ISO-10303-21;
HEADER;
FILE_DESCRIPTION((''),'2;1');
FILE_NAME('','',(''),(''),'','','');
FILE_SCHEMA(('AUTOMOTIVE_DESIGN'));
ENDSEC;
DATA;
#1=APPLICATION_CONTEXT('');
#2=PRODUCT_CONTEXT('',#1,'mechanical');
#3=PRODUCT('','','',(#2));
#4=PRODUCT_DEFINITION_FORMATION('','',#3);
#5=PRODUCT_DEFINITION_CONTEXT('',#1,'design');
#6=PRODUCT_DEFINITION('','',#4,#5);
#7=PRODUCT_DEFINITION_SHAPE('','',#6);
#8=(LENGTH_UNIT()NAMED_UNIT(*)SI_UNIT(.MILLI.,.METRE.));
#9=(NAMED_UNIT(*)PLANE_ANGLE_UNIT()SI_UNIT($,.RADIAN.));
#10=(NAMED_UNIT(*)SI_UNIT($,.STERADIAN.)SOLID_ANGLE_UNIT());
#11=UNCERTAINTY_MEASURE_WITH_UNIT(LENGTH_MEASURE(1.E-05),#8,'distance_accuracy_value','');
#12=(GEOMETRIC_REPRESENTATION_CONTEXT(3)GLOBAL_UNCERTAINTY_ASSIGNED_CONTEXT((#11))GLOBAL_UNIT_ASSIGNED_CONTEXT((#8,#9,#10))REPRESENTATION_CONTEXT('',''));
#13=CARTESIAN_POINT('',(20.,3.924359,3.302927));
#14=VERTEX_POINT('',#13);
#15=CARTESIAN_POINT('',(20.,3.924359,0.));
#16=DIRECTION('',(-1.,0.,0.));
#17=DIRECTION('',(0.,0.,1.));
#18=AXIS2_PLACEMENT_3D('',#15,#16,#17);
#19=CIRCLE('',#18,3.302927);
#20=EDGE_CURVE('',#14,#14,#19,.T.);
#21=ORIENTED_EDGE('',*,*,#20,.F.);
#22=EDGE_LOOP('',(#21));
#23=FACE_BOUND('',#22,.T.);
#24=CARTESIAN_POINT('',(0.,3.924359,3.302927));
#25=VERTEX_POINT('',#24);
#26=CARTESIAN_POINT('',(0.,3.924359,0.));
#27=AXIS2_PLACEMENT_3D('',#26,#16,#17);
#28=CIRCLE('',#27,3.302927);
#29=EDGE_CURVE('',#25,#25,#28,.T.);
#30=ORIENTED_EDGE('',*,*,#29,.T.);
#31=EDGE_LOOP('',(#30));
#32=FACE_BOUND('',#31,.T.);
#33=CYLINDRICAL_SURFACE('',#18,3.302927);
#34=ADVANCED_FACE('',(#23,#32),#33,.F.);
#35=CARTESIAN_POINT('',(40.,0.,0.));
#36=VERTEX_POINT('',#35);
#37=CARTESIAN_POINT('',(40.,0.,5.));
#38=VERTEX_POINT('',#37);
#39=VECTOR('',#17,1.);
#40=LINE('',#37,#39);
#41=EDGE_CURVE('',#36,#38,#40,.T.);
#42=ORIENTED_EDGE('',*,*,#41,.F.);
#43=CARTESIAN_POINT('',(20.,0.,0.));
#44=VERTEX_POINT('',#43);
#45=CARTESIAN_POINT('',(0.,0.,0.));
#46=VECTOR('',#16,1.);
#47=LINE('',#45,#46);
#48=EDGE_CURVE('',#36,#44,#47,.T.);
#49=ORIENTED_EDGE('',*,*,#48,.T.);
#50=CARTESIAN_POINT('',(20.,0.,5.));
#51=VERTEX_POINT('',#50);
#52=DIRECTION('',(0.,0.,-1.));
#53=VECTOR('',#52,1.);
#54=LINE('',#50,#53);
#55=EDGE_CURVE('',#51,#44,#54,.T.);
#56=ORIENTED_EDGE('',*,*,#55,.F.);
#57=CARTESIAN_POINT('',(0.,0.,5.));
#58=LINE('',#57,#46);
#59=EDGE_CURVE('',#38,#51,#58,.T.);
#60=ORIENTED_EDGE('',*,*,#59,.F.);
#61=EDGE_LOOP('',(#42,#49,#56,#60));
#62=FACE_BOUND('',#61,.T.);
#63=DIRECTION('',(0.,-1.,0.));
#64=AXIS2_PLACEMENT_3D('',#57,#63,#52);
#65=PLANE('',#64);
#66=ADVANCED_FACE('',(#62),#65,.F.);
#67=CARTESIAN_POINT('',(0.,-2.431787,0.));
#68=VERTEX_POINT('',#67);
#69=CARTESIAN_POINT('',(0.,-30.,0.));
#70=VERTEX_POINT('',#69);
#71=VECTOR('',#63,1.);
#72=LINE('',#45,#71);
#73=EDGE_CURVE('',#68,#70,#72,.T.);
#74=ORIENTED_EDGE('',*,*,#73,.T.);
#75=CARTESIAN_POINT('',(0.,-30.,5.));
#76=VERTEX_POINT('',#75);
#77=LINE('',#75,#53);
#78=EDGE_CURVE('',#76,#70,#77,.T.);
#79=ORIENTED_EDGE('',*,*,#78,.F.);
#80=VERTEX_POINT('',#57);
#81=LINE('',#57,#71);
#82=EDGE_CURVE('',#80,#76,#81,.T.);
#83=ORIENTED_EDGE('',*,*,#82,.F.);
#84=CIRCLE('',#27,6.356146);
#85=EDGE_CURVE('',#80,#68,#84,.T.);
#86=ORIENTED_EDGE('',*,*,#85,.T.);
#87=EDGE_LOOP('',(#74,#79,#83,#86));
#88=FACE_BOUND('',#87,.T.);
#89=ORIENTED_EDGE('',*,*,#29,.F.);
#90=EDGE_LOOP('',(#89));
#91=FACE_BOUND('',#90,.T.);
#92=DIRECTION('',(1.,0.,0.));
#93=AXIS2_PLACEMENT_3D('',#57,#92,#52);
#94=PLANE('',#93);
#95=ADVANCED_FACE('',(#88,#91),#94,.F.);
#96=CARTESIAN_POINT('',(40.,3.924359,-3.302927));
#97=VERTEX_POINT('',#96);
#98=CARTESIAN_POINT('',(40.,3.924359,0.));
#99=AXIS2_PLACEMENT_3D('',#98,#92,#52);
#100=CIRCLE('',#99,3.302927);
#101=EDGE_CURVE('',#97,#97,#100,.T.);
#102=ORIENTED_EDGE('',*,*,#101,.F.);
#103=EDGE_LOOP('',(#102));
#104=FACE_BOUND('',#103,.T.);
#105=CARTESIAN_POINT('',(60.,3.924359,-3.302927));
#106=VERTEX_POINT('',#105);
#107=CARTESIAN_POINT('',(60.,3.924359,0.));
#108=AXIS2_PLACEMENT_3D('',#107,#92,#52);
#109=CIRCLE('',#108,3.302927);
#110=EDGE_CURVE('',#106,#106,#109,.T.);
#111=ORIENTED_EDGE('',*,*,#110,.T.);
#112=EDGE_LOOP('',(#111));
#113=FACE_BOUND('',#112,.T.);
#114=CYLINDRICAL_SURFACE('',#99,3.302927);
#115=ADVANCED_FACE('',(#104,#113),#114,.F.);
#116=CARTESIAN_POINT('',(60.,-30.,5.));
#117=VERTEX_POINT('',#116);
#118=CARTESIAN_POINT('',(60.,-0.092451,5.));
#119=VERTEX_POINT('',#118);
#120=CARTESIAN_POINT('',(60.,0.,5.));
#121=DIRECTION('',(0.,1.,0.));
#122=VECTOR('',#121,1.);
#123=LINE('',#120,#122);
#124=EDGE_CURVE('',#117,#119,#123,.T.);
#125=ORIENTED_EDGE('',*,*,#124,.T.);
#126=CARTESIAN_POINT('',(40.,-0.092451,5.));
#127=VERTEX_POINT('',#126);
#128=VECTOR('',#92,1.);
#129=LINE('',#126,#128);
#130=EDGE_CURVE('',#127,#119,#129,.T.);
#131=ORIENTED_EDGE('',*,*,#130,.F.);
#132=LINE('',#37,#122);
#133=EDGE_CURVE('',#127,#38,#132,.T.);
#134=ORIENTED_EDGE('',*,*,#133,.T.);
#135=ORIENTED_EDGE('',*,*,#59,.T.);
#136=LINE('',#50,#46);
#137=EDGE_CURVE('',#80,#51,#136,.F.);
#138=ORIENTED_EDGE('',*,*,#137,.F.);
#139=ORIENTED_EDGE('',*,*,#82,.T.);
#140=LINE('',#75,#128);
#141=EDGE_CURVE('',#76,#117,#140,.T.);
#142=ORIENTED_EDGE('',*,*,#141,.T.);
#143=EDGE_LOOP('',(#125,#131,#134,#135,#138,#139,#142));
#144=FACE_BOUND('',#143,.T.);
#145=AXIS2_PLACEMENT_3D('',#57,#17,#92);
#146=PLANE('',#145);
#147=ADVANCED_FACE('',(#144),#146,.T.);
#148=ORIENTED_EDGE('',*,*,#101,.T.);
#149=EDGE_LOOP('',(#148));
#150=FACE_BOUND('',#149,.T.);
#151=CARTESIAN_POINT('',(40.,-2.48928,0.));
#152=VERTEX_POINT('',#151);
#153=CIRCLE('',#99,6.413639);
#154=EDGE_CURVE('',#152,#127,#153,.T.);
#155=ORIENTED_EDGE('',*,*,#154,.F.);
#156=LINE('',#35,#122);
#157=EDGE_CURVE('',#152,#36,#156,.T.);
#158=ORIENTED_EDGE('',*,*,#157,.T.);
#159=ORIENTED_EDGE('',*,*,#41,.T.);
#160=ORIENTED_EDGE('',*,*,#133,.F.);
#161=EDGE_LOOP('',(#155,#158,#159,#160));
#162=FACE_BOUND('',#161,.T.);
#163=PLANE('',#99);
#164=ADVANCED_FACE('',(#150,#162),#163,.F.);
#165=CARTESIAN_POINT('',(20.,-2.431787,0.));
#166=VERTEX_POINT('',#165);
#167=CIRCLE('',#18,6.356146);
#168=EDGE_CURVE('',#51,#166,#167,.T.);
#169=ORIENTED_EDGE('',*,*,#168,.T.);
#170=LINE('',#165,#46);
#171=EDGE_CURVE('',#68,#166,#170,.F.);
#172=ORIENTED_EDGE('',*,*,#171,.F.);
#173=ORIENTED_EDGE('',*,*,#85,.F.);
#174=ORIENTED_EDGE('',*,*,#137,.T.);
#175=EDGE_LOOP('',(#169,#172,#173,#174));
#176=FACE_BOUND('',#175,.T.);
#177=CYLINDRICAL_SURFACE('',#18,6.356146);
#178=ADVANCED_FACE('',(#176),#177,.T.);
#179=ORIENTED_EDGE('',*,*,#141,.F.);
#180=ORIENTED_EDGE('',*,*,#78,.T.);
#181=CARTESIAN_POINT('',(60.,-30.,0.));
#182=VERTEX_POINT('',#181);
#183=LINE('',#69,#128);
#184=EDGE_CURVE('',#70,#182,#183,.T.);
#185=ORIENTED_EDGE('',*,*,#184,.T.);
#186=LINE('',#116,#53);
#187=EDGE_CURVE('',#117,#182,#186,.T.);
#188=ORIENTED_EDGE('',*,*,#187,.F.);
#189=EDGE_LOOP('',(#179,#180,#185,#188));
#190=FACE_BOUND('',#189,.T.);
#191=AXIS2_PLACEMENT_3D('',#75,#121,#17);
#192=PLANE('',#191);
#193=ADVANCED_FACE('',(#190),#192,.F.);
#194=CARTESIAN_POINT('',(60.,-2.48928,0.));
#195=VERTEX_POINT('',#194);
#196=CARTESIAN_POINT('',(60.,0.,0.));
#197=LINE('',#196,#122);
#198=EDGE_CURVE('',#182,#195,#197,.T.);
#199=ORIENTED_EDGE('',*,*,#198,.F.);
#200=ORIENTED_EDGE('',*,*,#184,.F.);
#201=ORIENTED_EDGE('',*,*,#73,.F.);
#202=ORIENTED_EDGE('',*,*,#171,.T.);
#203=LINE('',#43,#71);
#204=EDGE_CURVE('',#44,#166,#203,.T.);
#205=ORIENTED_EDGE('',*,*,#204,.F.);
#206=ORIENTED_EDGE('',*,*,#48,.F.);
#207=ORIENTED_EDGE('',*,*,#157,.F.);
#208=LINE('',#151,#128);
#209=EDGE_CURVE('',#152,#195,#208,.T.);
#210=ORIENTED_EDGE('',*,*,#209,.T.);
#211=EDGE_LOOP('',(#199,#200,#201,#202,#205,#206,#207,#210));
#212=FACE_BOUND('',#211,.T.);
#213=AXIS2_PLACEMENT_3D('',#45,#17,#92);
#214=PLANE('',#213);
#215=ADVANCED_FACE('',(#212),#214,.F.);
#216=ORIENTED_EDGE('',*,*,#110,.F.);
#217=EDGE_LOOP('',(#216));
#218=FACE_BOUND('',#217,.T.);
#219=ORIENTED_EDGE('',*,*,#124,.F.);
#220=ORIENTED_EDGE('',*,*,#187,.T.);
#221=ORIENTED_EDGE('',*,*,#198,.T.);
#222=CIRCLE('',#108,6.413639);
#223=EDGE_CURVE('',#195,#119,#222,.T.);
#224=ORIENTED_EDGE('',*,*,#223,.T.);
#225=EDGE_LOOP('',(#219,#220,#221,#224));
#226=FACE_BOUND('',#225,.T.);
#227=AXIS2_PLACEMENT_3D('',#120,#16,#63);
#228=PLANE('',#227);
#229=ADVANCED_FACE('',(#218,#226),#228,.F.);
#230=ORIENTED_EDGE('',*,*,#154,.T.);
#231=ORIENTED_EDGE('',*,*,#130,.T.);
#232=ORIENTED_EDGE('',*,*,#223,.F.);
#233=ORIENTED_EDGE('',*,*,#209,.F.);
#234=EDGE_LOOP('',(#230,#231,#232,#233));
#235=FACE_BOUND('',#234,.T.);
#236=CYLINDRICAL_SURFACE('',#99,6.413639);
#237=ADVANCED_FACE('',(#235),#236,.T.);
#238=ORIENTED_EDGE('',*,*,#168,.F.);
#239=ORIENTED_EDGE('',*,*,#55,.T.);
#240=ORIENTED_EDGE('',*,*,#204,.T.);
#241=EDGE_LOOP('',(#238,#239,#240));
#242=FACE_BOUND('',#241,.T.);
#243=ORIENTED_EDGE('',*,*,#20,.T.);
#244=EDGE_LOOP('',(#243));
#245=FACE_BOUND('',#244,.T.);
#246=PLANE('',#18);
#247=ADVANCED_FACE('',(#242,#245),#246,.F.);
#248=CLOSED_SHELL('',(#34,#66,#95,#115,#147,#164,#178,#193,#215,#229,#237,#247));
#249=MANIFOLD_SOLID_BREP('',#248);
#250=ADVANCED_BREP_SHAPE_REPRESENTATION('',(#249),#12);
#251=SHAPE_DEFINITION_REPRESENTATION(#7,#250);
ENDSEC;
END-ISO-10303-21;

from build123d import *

# Parameters (mm, degrees)
SKETCH1_W           = 60
SKETCH1_H           = 30
BOSS_EXTRUDE1_DEPTH = 5
SKETCH2_R           = 6.41363938
SKETCH2_R_2         = 3.302926723
BOSS_EXTRUDE2_DEPTH = 20
SKETCH3_R           = 6.356146431
SKETCH3_R_2         = 3.302926723
BOSS_EXTRUDE3_DEPTH = 20


with BuildPart() as part:
    # Sketch1 → Boss-Extrude1 (new body)
    with BuildSketch(Plane.XY):
        with Locations((30, -15)):
            Rectangle(SKETCH1_W, SKETCH1_H)
    extrude(amount=BOSS_EXTRUDE1_DEPTH)

    # Sketch2 → Boss-Extrude2 (add)
    with BuildSketch(Plane(origin=(60, 0, 0), x_dir=(0, 0, -1), z_dir=(1, 0, 0))):
        with Locations((0, 3.924359496)):
            Circle(SKETCH2_R)
        with Locations((0, 3.924359496)):
            Circle(SKETCH2_R_2, mode=Mode.SUBTRACT)
    extrude(amount=-BOSS_EXTRUDE2_DEPTH)

    # Sketch3 → Boss-Extrude3 (add)
    with BuildSketch(Plane.ZY):
        with Locations((0, 3.924359496)):
            Circle(SKETCH3_R)
        with Locations((0, 3.924359496)):
            Circle(SKETCH3_R_2, mode=Mode.SUBTRACT)
    extrude(amount=-BOSS_EXTRUDE3_DEPTH)


solid = part.part
